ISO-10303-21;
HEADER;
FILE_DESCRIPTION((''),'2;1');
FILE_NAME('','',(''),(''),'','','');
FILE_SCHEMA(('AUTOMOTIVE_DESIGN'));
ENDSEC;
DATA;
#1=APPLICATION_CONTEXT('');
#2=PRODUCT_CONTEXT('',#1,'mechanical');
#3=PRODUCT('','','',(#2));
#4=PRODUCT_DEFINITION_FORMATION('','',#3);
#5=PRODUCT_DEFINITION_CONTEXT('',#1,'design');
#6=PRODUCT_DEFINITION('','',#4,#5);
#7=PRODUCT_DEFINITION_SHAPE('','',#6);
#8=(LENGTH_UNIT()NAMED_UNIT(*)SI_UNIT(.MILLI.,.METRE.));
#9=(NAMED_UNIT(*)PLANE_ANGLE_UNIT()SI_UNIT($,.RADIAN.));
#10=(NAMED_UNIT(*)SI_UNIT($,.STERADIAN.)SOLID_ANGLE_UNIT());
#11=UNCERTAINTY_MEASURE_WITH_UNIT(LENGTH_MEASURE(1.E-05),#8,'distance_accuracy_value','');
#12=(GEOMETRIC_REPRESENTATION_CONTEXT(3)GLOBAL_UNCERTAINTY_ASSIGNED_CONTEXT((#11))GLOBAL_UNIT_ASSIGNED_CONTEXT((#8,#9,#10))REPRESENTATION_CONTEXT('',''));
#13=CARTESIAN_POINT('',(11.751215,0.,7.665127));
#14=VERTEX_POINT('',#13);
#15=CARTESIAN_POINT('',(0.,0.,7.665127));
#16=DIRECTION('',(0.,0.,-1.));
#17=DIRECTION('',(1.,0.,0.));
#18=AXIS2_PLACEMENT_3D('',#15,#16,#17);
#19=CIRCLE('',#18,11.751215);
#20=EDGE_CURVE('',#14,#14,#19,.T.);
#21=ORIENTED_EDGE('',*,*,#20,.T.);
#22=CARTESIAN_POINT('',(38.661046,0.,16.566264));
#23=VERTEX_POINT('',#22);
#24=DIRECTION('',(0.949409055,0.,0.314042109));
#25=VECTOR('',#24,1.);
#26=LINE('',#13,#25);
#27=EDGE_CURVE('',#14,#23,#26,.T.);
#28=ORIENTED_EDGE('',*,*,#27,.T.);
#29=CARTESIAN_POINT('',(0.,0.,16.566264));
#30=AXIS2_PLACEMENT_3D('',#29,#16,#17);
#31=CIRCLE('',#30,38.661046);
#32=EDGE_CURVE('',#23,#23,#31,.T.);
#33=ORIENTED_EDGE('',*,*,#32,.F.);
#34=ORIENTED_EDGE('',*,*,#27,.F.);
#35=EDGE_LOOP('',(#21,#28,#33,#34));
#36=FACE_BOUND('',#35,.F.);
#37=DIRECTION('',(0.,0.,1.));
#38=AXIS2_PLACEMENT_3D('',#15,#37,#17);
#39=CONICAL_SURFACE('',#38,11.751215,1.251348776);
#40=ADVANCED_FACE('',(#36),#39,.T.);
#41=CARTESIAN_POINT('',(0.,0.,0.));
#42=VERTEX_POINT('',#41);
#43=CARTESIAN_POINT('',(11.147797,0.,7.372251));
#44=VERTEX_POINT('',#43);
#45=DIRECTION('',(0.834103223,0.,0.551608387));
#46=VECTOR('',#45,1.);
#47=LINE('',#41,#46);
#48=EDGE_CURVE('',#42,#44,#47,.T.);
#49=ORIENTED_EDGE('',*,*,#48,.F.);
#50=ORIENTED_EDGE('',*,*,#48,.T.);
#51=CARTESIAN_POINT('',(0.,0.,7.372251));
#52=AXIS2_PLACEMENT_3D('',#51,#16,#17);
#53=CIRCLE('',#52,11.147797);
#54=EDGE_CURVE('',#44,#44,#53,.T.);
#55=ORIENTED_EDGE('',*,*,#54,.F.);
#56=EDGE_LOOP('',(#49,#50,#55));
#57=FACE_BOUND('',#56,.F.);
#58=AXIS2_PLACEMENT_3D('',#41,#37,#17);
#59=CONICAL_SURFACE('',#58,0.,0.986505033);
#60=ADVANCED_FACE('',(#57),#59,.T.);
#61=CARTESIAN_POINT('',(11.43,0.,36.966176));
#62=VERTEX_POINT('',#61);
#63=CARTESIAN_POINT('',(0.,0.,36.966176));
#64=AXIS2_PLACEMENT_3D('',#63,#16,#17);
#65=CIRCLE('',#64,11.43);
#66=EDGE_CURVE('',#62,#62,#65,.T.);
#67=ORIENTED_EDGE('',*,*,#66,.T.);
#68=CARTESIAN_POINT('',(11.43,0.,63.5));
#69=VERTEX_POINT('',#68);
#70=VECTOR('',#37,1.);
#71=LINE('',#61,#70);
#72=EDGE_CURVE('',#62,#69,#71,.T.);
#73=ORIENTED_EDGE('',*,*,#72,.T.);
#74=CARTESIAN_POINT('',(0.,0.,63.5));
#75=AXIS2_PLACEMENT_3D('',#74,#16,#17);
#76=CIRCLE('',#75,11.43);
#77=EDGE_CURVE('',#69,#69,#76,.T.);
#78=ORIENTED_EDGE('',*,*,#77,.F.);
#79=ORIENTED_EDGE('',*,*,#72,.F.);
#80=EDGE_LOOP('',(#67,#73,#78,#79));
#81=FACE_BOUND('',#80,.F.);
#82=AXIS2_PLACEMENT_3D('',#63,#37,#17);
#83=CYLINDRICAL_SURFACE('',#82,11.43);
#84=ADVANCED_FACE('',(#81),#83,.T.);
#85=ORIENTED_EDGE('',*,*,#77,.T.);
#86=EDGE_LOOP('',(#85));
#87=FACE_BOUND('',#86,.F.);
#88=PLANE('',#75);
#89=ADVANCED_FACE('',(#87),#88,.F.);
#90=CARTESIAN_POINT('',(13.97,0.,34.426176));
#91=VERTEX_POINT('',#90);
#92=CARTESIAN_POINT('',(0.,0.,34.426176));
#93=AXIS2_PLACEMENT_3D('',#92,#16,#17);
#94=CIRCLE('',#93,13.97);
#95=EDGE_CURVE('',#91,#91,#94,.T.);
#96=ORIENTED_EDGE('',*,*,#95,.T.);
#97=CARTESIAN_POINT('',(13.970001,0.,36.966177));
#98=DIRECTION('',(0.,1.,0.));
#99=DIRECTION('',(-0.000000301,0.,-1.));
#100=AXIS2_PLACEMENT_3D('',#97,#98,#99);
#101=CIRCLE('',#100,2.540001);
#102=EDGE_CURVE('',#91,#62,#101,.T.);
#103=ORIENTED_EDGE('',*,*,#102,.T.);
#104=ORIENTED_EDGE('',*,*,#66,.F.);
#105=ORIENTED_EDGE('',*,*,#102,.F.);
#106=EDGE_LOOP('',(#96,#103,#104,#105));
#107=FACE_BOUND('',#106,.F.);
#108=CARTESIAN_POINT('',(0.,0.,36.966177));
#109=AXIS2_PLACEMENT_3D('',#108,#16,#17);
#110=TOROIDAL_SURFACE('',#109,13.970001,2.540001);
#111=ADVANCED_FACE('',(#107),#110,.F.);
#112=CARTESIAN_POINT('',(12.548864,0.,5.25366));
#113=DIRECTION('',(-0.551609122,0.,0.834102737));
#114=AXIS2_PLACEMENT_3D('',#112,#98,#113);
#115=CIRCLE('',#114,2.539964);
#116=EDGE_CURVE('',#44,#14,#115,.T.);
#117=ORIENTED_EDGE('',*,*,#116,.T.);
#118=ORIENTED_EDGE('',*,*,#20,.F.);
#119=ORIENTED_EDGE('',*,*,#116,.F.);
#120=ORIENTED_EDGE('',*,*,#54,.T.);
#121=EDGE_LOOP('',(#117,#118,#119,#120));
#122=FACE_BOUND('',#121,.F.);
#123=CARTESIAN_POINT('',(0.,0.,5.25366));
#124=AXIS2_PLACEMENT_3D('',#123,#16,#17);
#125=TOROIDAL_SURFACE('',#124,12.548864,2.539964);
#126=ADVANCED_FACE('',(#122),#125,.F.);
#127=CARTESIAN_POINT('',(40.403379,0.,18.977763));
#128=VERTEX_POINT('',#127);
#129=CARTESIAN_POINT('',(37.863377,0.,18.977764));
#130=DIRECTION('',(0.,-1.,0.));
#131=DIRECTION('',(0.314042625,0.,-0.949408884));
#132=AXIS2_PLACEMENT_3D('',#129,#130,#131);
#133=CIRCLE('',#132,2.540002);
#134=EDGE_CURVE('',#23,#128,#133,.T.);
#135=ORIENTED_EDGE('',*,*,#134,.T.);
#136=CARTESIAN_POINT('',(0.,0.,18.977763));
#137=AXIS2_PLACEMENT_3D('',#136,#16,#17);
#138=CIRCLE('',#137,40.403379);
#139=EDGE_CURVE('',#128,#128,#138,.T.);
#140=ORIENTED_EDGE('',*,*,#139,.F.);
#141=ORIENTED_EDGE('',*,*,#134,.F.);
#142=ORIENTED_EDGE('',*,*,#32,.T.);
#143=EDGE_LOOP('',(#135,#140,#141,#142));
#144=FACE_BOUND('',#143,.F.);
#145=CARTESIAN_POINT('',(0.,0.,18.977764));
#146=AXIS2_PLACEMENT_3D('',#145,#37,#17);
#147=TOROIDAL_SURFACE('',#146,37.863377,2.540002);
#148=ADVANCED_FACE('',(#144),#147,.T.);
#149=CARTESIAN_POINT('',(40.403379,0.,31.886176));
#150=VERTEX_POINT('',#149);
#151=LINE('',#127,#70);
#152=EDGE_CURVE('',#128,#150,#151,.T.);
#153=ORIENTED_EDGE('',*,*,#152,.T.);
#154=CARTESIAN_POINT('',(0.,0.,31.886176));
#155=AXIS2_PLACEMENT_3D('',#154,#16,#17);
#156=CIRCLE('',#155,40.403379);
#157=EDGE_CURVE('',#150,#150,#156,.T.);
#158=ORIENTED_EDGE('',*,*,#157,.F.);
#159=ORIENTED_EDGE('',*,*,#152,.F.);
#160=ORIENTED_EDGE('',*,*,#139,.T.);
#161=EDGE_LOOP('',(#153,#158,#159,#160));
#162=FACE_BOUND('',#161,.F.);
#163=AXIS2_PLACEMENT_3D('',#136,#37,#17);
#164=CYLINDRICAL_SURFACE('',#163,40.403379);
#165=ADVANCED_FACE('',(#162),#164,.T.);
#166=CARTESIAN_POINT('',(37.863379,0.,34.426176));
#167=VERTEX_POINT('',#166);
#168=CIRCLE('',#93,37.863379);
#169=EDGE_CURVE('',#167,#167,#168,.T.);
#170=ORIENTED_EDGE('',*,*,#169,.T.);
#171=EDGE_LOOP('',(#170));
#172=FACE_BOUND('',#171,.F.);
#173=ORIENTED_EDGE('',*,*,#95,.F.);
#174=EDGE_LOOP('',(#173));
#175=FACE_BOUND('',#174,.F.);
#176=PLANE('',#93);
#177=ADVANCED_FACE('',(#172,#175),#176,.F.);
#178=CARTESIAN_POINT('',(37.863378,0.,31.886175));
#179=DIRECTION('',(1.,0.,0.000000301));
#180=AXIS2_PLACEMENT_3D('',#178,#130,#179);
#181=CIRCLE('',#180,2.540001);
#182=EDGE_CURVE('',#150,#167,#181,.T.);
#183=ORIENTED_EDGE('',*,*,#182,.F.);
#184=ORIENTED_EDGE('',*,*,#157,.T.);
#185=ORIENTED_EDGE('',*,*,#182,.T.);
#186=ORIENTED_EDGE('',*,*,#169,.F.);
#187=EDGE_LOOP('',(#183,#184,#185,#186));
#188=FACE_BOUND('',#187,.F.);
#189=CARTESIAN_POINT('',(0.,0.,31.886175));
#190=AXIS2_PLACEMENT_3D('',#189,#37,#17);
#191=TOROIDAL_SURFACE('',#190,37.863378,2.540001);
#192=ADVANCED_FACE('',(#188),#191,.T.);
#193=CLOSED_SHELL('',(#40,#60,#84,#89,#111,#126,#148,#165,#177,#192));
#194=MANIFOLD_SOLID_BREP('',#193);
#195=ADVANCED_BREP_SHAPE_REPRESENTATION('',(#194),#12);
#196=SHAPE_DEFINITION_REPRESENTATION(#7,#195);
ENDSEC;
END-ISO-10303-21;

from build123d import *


with BuildPart() as f1:
    # F0 (on Front) → F1 (revolve)
    with BuildSketch(Plane.XZ):
        with BuildLine():
            ThreePointArc((38.661046, 16.566264), (39.922222, 17.490227), (40.403379, 18.977763))
            Line((40.403379, 18.977763), (40.403379, 31.886176))
            ThreePointArc((40.403379, 31.886176), (39.65943, 33.682227), (37.863379, 34.426176))
            Line((37.863379, 34.426176), (13.97, 34.426176))
            ThreePointArc((13.97, 34.426176), (12.173949, 35.170125), (11.43, 36.966176))
            Line((11.43, 36.966176), (11.43, 63.5))
            Line((11.43, 63.5), (0, 63.5))
            Line((0, 63.5), (0, 0))
            Line((0, 0), (11.147797, 7.372251))
            ThreePointArc((11.147797, 7.372251), (11.439796, 7.538695), (11.751215, 7.665127))
            Line((11.751215, 7.665127), (38.661046, 16.566264))
        make_face()
    revolve(axis=Axis((0, 0, 31.75), (0, 0, -1)))


solid = f1.part
